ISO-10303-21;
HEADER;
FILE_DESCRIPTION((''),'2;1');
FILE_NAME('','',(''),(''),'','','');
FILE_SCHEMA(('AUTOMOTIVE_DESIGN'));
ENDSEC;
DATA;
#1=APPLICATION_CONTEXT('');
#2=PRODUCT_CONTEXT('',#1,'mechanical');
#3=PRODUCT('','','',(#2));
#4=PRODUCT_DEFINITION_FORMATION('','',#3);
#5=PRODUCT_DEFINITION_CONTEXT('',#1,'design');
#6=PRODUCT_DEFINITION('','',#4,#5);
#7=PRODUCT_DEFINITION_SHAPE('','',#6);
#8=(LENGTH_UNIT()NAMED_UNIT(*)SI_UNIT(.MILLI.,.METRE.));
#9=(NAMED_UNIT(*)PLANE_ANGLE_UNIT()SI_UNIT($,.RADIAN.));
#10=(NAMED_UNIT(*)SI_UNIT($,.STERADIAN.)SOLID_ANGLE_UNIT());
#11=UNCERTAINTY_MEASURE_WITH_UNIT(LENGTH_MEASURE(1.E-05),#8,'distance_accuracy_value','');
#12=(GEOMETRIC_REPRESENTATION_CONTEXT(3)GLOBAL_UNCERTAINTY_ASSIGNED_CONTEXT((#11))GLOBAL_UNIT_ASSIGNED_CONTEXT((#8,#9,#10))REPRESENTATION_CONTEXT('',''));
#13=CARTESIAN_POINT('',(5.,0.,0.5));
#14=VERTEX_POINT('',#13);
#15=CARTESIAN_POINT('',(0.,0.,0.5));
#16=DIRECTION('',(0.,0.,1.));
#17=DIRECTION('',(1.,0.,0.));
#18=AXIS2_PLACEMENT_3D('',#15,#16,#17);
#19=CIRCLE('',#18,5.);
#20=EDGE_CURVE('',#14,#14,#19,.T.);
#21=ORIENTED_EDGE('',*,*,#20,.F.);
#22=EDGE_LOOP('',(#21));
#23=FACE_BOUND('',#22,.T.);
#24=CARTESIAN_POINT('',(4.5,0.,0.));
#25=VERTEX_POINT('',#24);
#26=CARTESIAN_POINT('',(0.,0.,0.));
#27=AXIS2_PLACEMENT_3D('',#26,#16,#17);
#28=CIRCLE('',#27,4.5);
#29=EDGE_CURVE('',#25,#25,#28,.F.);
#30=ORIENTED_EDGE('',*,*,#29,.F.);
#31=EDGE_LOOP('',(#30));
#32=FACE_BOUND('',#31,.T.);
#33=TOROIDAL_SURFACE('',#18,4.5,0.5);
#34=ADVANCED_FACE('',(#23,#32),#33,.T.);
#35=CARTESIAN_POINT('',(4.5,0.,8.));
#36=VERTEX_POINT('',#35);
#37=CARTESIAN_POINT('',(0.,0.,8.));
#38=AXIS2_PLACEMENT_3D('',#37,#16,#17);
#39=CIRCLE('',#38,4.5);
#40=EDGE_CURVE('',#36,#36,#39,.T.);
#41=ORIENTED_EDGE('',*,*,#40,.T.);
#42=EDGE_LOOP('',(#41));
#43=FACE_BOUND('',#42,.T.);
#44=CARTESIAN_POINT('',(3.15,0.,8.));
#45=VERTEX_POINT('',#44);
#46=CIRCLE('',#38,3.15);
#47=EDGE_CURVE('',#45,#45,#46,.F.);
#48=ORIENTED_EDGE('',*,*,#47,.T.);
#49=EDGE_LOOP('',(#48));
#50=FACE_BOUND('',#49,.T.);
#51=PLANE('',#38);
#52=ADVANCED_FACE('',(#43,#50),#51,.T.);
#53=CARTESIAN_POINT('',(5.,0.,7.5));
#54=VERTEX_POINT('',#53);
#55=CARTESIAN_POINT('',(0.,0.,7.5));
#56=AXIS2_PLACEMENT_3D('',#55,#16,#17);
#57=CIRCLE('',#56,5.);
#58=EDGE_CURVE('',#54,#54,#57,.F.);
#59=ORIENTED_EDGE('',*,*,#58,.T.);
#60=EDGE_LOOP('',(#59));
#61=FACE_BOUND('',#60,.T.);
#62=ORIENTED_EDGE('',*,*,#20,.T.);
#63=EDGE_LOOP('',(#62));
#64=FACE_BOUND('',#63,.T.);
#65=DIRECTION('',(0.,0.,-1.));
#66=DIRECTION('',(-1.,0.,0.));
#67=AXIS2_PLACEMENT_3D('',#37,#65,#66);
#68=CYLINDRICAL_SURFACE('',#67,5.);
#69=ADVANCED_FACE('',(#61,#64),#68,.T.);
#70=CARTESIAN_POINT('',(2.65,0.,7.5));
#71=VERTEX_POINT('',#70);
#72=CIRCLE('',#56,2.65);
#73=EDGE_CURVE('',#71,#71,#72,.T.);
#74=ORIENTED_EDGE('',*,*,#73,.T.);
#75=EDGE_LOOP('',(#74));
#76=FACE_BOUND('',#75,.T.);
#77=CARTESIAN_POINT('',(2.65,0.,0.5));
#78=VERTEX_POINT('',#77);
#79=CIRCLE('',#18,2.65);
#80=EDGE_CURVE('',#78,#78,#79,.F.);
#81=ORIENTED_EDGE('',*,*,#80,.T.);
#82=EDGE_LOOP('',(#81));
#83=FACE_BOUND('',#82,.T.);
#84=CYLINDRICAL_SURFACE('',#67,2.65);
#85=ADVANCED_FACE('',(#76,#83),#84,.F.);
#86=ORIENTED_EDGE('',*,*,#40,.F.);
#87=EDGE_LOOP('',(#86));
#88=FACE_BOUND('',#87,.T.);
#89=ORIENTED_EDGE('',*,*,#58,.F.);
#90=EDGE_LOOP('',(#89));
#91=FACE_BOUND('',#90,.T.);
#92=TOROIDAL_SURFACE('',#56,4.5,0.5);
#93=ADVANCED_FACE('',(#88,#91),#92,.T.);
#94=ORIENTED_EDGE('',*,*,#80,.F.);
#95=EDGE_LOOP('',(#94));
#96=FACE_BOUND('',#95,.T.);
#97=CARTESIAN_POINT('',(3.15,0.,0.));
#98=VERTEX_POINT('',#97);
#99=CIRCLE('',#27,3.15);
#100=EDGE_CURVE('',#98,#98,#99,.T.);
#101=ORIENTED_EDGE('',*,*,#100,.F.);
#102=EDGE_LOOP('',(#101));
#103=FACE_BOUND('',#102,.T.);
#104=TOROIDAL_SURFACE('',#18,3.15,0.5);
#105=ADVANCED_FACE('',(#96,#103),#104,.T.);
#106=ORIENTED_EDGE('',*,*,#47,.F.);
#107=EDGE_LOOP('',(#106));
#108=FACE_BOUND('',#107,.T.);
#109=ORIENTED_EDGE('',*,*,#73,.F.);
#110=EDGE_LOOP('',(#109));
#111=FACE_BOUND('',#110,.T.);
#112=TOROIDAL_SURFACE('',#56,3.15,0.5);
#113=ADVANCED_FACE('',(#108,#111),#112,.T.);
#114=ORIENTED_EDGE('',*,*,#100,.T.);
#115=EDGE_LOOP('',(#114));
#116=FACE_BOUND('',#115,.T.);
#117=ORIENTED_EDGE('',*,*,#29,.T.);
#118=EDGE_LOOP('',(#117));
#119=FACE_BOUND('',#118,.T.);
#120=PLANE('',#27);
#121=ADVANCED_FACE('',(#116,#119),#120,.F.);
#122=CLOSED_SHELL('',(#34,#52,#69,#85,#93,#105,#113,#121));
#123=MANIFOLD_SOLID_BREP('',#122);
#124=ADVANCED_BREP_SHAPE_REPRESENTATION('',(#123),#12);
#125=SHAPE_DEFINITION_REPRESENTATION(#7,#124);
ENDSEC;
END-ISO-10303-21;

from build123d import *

# Parameters (mm, degrees)
SKETCH1_R    = 5
SKETCH1_R_2  = 2.65
SPACER_DEPTH = 8
FILLET1_R    = 0.5


with BuildPart() as part:
    # Sketch1 → spacer (new body)
    with BuildSketch(Plane.XY):
        Circle(SKETCH1_R)
        Circle(SKETCH1_R_2, mode=Mode.SUBTRACT)
    extrude(amount=SPACER_DEPTH)

    # Fillet1
    fillet1_edges = [part.edges().sort_by_distance(p)[0] for p in [
        (-5, 0, 0),
        (-5, 0, 8),
        (-2.65, 0, 0),
        (-2.65, 0, 8),
    ]]
    fillet(fillet1_edges, radius=FILLET1_R)


solid = part.part
